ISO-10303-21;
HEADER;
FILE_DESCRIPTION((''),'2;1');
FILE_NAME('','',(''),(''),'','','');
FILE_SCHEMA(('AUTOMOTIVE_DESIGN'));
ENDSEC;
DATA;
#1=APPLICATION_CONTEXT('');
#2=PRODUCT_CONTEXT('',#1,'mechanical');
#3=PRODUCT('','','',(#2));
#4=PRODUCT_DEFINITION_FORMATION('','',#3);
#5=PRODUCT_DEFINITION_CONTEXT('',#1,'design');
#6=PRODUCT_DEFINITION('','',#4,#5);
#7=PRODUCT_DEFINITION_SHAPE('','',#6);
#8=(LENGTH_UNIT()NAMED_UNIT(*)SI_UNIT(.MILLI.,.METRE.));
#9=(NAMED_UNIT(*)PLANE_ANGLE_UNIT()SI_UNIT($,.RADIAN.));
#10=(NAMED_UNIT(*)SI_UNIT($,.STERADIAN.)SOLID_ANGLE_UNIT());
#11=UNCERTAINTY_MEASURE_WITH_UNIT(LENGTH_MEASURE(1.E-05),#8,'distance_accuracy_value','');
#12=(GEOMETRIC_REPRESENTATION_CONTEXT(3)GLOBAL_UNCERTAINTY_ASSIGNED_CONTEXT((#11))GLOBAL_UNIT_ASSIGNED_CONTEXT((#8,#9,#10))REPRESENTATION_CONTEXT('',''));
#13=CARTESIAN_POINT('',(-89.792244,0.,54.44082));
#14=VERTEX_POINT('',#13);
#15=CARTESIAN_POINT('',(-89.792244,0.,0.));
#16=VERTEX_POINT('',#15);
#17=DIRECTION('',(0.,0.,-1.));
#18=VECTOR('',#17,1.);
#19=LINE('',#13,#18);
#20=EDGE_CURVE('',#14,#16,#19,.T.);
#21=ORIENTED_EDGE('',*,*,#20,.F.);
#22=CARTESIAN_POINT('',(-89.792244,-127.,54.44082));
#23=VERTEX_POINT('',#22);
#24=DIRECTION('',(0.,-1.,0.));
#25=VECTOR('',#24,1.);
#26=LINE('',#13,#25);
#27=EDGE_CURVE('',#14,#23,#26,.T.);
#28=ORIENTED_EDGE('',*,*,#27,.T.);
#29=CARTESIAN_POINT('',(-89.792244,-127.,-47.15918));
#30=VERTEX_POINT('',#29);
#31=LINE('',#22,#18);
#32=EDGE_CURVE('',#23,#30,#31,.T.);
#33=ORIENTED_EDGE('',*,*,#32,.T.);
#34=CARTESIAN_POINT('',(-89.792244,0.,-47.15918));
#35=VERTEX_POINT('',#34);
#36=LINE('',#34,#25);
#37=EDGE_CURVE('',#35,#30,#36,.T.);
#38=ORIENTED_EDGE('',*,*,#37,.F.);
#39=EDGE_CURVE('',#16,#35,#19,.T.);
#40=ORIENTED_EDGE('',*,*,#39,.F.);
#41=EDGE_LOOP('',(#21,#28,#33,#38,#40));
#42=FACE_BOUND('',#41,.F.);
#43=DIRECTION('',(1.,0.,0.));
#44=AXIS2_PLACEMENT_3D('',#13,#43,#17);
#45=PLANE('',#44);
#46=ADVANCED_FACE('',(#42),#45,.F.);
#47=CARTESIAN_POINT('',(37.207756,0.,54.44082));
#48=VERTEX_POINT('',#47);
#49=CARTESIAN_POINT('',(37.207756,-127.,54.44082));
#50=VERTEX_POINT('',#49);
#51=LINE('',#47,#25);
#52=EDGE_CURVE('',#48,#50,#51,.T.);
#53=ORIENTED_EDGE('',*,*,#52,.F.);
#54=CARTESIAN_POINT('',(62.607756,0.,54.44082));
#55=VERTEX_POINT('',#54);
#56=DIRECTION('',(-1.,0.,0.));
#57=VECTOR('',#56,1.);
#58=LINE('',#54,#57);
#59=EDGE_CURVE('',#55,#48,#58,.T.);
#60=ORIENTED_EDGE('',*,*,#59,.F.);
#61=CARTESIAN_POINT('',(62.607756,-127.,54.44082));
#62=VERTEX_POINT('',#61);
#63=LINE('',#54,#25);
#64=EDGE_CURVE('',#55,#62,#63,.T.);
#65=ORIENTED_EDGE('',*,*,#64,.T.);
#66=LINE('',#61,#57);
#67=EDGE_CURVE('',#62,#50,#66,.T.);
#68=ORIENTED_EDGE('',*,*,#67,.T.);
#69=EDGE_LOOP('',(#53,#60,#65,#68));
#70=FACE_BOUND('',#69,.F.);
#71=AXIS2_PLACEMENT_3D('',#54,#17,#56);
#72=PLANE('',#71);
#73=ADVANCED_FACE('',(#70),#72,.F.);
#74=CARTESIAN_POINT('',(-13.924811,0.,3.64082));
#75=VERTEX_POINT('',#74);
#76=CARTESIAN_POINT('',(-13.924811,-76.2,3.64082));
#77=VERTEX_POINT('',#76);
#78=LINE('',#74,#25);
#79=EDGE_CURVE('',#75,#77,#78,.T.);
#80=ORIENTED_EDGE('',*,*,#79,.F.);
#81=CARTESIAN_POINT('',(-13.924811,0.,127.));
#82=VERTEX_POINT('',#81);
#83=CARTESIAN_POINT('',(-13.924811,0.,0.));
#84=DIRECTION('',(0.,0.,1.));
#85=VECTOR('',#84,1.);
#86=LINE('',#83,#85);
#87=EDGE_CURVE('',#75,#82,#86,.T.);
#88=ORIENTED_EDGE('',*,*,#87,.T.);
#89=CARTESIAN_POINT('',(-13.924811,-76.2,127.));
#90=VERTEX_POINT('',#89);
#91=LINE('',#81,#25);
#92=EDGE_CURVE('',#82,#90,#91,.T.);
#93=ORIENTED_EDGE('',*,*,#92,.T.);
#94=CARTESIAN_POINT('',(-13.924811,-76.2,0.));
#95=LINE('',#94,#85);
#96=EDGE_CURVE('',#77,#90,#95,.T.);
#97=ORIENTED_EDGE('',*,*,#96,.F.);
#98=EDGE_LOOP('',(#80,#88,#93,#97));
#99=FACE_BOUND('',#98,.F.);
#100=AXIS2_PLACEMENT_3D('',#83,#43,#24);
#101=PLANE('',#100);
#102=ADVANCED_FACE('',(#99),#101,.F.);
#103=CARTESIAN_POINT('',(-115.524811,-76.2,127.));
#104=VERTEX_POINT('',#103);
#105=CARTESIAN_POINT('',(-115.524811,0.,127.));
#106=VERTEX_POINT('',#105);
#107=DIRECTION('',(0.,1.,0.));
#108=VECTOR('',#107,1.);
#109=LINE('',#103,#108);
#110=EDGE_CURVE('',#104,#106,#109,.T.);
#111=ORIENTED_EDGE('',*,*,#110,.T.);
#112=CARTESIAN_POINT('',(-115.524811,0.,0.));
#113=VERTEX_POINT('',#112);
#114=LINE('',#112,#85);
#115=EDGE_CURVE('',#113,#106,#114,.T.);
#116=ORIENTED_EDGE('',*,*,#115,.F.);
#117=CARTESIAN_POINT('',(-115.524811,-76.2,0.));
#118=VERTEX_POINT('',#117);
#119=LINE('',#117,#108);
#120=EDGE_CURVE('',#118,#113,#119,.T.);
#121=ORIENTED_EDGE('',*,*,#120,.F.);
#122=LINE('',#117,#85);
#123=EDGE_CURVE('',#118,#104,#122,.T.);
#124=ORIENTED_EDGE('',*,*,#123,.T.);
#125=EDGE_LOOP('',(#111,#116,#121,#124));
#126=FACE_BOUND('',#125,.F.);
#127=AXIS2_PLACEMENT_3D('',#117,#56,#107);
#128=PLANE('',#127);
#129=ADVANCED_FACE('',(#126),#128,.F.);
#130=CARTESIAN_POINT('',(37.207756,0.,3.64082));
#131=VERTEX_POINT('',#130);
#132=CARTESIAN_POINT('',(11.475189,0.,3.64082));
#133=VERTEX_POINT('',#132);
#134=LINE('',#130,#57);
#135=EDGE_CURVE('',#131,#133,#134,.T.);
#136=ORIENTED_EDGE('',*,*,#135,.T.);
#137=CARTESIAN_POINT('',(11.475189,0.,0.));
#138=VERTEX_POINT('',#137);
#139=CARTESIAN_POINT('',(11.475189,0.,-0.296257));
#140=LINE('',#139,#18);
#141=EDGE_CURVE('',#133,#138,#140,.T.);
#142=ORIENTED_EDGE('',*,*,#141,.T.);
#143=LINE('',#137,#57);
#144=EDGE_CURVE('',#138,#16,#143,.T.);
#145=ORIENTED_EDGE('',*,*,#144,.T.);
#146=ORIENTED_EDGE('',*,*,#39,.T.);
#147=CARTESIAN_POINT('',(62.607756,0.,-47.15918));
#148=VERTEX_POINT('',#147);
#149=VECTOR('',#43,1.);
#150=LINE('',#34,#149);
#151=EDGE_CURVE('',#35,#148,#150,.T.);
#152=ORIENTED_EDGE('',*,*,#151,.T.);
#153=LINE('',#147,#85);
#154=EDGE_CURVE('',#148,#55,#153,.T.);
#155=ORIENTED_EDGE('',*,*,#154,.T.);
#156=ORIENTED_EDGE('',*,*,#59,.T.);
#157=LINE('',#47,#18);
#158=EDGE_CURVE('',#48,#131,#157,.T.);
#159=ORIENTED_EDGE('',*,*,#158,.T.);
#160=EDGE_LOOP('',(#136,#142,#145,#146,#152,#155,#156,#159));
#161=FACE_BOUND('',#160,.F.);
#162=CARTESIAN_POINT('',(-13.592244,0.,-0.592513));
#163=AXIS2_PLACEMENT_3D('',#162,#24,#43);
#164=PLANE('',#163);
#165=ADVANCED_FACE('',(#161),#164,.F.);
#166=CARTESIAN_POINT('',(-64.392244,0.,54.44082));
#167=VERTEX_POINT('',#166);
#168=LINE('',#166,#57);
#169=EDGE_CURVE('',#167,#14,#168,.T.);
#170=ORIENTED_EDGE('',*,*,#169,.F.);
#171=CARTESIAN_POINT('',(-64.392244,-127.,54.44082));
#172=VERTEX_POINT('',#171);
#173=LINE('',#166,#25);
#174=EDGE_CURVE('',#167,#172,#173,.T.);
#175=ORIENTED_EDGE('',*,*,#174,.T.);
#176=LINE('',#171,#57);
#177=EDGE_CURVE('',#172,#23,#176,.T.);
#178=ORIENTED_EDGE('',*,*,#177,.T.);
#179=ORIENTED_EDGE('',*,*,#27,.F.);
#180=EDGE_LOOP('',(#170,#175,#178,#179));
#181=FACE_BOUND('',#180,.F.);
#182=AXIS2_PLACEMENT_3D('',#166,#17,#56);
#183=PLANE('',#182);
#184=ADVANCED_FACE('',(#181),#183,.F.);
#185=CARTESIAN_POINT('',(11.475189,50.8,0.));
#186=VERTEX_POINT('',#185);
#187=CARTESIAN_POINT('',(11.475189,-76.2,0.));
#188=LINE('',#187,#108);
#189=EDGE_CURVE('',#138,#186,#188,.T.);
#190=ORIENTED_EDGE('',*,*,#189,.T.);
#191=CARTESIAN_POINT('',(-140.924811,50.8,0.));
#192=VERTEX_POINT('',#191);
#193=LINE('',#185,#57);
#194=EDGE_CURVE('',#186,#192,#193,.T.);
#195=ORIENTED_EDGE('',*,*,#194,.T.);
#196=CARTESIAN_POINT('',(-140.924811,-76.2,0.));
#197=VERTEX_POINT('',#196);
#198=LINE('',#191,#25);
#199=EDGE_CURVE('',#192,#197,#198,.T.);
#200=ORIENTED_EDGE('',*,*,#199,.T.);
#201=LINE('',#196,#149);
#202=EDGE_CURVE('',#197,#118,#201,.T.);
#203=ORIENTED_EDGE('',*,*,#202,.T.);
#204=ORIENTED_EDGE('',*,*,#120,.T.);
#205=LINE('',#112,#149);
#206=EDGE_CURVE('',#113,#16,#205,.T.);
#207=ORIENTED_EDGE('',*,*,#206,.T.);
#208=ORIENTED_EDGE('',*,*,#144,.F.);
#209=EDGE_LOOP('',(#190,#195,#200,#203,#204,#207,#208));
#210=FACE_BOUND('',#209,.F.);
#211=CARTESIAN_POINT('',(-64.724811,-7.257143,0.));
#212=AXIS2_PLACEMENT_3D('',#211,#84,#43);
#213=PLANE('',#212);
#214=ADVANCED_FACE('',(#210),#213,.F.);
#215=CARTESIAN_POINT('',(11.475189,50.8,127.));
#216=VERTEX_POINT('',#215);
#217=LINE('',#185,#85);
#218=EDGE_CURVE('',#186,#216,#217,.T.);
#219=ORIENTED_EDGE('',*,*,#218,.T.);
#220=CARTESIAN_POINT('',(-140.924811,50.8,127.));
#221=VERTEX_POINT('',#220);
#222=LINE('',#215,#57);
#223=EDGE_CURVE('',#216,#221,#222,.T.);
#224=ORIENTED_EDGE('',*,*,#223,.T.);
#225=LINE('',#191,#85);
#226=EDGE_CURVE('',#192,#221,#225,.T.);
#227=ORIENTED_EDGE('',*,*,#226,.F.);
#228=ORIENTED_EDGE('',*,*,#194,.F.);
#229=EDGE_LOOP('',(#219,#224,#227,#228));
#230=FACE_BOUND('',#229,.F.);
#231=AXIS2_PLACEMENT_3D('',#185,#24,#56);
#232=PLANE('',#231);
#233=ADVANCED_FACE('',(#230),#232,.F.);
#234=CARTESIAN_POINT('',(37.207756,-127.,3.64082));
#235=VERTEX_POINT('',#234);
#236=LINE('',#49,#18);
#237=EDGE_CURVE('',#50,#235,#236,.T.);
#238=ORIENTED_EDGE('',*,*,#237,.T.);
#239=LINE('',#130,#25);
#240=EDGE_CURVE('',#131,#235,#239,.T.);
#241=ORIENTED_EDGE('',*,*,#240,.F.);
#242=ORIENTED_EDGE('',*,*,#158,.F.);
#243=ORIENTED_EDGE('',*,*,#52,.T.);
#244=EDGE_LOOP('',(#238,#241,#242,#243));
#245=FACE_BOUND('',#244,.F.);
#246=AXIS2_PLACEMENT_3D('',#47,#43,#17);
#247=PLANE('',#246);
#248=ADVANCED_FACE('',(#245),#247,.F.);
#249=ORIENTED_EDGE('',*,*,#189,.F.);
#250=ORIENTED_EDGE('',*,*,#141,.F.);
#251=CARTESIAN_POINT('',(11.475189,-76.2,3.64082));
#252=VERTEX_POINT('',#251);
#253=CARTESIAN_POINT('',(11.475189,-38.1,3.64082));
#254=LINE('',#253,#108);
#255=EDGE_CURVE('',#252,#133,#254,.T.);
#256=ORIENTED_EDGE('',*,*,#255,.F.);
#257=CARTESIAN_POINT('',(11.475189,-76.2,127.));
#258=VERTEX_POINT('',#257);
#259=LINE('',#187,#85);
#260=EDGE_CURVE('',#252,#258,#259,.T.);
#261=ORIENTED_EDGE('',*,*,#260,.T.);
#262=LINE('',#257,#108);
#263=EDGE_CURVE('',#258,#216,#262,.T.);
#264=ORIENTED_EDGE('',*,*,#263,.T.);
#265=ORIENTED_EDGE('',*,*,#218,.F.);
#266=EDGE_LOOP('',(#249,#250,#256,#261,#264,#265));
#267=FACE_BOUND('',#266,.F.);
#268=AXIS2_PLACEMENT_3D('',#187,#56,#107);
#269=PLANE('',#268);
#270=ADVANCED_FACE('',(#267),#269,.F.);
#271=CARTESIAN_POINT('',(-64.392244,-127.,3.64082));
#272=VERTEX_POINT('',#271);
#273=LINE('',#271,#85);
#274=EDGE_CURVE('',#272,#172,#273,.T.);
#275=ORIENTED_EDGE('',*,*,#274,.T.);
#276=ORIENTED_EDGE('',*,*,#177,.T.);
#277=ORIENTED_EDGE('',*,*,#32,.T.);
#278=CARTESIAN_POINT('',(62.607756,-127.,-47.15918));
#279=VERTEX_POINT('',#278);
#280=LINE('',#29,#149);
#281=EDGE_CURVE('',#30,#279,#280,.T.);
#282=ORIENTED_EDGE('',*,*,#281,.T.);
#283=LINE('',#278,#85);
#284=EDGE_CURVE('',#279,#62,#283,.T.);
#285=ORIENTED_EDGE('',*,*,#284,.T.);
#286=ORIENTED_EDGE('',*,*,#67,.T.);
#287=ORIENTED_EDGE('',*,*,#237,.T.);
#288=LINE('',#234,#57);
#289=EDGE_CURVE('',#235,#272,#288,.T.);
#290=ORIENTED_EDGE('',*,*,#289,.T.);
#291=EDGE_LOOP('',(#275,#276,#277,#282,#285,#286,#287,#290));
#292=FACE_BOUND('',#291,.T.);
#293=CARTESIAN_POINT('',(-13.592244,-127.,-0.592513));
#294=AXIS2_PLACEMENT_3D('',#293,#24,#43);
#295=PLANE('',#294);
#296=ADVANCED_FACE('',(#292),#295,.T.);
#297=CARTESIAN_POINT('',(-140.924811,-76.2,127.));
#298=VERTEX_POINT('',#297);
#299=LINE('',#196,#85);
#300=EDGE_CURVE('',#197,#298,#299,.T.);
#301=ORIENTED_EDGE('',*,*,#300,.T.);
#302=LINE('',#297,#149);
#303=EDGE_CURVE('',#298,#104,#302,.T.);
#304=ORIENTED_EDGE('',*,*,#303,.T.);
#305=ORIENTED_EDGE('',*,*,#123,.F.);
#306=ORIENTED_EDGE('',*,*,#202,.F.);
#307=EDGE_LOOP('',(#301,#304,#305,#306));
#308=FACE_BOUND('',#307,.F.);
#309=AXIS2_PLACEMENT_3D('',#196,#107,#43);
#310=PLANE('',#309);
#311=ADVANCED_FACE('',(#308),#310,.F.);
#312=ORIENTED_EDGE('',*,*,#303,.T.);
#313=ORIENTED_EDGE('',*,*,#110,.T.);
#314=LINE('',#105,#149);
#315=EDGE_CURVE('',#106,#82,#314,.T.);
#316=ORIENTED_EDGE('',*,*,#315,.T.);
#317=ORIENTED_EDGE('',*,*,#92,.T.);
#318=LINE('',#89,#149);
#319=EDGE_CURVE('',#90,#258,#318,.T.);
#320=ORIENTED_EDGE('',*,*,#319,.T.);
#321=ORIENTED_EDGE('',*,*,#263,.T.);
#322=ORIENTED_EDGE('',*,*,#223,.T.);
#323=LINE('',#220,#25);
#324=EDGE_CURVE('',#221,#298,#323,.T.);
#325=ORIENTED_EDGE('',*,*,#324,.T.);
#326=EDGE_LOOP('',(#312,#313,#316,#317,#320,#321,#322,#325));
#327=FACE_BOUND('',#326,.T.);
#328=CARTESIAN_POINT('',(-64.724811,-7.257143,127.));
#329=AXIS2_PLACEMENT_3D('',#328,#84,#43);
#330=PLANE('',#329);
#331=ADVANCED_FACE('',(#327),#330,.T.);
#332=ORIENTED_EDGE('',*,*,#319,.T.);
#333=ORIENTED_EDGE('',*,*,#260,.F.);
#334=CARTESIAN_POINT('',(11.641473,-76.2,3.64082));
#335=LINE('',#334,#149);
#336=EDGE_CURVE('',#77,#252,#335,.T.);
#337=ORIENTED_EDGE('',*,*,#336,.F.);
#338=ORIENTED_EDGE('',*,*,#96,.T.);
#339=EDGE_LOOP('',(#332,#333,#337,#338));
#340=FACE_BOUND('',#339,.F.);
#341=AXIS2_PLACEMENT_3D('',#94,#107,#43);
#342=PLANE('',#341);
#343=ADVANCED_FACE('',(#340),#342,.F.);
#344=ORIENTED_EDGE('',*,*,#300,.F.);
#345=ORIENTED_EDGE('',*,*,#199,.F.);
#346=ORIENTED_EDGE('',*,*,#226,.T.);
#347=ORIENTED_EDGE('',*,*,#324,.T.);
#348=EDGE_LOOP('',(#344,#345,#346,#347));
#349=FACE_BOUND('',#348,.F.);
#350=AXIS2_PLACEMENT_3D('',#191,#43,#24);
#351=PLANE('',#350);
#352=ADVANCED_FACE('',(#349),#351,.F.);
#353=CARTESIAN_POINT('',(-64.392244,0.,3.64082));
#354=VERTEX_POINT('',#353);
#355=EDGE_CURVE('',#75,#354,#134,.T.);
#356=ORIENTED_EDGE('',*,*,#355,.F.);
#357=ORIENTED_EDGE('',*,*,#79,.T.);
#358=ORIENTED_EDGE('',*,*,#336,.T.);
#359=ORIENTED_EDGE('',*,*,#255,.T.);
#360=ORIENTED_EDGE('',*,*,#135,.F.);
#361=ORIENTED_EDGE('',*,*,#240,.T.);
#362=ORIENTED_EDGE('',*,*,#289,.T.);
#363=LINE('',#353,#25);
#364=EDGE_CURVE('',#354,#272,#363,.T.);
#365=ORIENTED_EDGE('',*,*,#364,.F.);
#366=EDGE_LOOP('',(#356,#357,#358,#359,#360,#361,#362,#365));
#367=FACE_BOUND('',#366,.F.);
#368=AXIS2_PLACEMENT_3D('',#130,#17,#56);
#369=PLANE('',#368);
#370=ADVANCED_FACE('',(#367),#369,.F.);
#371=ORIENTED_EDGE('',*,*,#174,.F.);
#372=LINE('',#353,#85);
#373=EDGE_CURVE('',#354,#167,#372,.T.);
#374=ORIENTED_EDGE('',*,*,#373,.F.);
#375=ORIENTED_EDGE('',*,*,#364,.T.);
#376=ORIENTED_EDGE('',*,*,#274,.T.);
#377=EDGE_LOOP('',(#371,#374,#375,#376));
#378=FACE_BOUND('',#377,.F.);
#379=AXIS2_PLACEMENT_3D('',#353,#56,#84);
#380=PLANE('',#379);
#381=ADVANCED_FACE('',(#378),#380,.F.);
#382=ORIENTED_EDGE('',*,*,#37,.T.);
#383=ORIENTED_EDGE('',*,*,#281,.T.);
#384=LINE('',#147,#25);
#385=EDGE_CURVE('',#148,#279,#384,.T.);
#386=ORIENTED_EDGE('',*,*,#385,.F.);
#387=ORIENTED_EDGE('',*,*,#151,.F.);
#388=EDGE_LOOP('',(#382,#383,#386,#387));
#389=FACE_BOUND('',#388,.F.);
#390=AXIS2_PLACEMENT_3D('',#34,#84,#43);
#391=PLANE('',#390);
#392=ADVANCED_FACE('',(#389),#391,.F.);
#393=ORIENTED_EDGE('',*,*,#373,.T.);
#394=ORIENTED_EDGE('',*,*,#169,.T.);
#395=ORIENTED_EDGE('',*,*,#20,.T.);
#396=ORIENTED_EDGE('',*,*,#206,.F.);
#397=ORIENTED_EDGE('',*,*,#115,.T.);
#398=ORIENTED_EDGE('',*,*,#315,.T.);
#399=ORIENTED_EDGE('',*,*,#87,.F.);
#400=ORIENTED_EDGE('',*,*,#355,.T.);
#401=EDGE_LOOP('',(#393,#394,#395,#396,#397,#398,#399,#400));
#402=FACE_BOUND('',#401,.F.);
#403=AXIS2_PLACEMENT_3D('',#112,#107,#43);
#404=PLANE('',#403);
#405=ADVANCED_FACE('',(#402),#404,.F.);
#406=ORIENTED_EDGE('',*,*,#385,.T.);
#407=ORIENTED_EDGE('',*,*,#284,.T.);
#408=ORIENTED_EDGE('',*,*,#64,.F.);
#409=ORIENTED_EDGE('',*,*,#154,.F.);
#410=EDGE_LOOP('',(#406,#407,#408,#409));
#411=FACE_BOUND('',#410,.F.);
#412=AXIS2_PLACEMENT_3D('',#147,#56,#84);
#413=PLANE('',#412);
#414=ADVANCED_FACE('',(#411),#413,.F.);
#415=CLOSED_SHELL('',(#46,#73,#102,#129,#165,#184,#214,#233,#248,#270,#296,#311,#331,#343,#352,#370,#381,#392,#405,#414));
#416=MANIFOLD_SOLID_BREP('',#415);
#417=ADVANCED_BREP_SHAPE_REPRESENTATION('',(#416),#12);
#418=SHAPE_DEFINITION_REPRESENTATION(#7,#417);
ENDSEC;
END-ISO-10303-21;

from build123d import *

# Parameters (mm, degrees)
F1_DEPTH = 127
F3_DEPTH = 127


with BuildPart() as f1:
    # F0 (on Front) → F1 (new body)
    with BuildSketch(Plane.XZ):
        Polygon((-89.792244, 54.44082), (-89.792244, -47.15918), (62.607756, -47.15918), (62.607756, 54.44082), (37.207756, 54.44082), (37.207756, 3.64082), (-64.392244, 3.64082), (-64.392244, 54.44082), align=None)
    extrude(amount=F1_DEPTH)

    # F2 (on Top) → F3 (join)
    with BuildSketch(Plane.XY):
        Polygon((11.475189, 50.8), (-140.924811, 50.8), (-140.924811, -76.2), (-115.524811, -76.2), (-115.524811, 0), (-13.924811, 0), (-13.924811, -76.2), (11.475189, -76.2), align=None)
    extrude(amount=F3_DEPTH)


solid = f1.part
